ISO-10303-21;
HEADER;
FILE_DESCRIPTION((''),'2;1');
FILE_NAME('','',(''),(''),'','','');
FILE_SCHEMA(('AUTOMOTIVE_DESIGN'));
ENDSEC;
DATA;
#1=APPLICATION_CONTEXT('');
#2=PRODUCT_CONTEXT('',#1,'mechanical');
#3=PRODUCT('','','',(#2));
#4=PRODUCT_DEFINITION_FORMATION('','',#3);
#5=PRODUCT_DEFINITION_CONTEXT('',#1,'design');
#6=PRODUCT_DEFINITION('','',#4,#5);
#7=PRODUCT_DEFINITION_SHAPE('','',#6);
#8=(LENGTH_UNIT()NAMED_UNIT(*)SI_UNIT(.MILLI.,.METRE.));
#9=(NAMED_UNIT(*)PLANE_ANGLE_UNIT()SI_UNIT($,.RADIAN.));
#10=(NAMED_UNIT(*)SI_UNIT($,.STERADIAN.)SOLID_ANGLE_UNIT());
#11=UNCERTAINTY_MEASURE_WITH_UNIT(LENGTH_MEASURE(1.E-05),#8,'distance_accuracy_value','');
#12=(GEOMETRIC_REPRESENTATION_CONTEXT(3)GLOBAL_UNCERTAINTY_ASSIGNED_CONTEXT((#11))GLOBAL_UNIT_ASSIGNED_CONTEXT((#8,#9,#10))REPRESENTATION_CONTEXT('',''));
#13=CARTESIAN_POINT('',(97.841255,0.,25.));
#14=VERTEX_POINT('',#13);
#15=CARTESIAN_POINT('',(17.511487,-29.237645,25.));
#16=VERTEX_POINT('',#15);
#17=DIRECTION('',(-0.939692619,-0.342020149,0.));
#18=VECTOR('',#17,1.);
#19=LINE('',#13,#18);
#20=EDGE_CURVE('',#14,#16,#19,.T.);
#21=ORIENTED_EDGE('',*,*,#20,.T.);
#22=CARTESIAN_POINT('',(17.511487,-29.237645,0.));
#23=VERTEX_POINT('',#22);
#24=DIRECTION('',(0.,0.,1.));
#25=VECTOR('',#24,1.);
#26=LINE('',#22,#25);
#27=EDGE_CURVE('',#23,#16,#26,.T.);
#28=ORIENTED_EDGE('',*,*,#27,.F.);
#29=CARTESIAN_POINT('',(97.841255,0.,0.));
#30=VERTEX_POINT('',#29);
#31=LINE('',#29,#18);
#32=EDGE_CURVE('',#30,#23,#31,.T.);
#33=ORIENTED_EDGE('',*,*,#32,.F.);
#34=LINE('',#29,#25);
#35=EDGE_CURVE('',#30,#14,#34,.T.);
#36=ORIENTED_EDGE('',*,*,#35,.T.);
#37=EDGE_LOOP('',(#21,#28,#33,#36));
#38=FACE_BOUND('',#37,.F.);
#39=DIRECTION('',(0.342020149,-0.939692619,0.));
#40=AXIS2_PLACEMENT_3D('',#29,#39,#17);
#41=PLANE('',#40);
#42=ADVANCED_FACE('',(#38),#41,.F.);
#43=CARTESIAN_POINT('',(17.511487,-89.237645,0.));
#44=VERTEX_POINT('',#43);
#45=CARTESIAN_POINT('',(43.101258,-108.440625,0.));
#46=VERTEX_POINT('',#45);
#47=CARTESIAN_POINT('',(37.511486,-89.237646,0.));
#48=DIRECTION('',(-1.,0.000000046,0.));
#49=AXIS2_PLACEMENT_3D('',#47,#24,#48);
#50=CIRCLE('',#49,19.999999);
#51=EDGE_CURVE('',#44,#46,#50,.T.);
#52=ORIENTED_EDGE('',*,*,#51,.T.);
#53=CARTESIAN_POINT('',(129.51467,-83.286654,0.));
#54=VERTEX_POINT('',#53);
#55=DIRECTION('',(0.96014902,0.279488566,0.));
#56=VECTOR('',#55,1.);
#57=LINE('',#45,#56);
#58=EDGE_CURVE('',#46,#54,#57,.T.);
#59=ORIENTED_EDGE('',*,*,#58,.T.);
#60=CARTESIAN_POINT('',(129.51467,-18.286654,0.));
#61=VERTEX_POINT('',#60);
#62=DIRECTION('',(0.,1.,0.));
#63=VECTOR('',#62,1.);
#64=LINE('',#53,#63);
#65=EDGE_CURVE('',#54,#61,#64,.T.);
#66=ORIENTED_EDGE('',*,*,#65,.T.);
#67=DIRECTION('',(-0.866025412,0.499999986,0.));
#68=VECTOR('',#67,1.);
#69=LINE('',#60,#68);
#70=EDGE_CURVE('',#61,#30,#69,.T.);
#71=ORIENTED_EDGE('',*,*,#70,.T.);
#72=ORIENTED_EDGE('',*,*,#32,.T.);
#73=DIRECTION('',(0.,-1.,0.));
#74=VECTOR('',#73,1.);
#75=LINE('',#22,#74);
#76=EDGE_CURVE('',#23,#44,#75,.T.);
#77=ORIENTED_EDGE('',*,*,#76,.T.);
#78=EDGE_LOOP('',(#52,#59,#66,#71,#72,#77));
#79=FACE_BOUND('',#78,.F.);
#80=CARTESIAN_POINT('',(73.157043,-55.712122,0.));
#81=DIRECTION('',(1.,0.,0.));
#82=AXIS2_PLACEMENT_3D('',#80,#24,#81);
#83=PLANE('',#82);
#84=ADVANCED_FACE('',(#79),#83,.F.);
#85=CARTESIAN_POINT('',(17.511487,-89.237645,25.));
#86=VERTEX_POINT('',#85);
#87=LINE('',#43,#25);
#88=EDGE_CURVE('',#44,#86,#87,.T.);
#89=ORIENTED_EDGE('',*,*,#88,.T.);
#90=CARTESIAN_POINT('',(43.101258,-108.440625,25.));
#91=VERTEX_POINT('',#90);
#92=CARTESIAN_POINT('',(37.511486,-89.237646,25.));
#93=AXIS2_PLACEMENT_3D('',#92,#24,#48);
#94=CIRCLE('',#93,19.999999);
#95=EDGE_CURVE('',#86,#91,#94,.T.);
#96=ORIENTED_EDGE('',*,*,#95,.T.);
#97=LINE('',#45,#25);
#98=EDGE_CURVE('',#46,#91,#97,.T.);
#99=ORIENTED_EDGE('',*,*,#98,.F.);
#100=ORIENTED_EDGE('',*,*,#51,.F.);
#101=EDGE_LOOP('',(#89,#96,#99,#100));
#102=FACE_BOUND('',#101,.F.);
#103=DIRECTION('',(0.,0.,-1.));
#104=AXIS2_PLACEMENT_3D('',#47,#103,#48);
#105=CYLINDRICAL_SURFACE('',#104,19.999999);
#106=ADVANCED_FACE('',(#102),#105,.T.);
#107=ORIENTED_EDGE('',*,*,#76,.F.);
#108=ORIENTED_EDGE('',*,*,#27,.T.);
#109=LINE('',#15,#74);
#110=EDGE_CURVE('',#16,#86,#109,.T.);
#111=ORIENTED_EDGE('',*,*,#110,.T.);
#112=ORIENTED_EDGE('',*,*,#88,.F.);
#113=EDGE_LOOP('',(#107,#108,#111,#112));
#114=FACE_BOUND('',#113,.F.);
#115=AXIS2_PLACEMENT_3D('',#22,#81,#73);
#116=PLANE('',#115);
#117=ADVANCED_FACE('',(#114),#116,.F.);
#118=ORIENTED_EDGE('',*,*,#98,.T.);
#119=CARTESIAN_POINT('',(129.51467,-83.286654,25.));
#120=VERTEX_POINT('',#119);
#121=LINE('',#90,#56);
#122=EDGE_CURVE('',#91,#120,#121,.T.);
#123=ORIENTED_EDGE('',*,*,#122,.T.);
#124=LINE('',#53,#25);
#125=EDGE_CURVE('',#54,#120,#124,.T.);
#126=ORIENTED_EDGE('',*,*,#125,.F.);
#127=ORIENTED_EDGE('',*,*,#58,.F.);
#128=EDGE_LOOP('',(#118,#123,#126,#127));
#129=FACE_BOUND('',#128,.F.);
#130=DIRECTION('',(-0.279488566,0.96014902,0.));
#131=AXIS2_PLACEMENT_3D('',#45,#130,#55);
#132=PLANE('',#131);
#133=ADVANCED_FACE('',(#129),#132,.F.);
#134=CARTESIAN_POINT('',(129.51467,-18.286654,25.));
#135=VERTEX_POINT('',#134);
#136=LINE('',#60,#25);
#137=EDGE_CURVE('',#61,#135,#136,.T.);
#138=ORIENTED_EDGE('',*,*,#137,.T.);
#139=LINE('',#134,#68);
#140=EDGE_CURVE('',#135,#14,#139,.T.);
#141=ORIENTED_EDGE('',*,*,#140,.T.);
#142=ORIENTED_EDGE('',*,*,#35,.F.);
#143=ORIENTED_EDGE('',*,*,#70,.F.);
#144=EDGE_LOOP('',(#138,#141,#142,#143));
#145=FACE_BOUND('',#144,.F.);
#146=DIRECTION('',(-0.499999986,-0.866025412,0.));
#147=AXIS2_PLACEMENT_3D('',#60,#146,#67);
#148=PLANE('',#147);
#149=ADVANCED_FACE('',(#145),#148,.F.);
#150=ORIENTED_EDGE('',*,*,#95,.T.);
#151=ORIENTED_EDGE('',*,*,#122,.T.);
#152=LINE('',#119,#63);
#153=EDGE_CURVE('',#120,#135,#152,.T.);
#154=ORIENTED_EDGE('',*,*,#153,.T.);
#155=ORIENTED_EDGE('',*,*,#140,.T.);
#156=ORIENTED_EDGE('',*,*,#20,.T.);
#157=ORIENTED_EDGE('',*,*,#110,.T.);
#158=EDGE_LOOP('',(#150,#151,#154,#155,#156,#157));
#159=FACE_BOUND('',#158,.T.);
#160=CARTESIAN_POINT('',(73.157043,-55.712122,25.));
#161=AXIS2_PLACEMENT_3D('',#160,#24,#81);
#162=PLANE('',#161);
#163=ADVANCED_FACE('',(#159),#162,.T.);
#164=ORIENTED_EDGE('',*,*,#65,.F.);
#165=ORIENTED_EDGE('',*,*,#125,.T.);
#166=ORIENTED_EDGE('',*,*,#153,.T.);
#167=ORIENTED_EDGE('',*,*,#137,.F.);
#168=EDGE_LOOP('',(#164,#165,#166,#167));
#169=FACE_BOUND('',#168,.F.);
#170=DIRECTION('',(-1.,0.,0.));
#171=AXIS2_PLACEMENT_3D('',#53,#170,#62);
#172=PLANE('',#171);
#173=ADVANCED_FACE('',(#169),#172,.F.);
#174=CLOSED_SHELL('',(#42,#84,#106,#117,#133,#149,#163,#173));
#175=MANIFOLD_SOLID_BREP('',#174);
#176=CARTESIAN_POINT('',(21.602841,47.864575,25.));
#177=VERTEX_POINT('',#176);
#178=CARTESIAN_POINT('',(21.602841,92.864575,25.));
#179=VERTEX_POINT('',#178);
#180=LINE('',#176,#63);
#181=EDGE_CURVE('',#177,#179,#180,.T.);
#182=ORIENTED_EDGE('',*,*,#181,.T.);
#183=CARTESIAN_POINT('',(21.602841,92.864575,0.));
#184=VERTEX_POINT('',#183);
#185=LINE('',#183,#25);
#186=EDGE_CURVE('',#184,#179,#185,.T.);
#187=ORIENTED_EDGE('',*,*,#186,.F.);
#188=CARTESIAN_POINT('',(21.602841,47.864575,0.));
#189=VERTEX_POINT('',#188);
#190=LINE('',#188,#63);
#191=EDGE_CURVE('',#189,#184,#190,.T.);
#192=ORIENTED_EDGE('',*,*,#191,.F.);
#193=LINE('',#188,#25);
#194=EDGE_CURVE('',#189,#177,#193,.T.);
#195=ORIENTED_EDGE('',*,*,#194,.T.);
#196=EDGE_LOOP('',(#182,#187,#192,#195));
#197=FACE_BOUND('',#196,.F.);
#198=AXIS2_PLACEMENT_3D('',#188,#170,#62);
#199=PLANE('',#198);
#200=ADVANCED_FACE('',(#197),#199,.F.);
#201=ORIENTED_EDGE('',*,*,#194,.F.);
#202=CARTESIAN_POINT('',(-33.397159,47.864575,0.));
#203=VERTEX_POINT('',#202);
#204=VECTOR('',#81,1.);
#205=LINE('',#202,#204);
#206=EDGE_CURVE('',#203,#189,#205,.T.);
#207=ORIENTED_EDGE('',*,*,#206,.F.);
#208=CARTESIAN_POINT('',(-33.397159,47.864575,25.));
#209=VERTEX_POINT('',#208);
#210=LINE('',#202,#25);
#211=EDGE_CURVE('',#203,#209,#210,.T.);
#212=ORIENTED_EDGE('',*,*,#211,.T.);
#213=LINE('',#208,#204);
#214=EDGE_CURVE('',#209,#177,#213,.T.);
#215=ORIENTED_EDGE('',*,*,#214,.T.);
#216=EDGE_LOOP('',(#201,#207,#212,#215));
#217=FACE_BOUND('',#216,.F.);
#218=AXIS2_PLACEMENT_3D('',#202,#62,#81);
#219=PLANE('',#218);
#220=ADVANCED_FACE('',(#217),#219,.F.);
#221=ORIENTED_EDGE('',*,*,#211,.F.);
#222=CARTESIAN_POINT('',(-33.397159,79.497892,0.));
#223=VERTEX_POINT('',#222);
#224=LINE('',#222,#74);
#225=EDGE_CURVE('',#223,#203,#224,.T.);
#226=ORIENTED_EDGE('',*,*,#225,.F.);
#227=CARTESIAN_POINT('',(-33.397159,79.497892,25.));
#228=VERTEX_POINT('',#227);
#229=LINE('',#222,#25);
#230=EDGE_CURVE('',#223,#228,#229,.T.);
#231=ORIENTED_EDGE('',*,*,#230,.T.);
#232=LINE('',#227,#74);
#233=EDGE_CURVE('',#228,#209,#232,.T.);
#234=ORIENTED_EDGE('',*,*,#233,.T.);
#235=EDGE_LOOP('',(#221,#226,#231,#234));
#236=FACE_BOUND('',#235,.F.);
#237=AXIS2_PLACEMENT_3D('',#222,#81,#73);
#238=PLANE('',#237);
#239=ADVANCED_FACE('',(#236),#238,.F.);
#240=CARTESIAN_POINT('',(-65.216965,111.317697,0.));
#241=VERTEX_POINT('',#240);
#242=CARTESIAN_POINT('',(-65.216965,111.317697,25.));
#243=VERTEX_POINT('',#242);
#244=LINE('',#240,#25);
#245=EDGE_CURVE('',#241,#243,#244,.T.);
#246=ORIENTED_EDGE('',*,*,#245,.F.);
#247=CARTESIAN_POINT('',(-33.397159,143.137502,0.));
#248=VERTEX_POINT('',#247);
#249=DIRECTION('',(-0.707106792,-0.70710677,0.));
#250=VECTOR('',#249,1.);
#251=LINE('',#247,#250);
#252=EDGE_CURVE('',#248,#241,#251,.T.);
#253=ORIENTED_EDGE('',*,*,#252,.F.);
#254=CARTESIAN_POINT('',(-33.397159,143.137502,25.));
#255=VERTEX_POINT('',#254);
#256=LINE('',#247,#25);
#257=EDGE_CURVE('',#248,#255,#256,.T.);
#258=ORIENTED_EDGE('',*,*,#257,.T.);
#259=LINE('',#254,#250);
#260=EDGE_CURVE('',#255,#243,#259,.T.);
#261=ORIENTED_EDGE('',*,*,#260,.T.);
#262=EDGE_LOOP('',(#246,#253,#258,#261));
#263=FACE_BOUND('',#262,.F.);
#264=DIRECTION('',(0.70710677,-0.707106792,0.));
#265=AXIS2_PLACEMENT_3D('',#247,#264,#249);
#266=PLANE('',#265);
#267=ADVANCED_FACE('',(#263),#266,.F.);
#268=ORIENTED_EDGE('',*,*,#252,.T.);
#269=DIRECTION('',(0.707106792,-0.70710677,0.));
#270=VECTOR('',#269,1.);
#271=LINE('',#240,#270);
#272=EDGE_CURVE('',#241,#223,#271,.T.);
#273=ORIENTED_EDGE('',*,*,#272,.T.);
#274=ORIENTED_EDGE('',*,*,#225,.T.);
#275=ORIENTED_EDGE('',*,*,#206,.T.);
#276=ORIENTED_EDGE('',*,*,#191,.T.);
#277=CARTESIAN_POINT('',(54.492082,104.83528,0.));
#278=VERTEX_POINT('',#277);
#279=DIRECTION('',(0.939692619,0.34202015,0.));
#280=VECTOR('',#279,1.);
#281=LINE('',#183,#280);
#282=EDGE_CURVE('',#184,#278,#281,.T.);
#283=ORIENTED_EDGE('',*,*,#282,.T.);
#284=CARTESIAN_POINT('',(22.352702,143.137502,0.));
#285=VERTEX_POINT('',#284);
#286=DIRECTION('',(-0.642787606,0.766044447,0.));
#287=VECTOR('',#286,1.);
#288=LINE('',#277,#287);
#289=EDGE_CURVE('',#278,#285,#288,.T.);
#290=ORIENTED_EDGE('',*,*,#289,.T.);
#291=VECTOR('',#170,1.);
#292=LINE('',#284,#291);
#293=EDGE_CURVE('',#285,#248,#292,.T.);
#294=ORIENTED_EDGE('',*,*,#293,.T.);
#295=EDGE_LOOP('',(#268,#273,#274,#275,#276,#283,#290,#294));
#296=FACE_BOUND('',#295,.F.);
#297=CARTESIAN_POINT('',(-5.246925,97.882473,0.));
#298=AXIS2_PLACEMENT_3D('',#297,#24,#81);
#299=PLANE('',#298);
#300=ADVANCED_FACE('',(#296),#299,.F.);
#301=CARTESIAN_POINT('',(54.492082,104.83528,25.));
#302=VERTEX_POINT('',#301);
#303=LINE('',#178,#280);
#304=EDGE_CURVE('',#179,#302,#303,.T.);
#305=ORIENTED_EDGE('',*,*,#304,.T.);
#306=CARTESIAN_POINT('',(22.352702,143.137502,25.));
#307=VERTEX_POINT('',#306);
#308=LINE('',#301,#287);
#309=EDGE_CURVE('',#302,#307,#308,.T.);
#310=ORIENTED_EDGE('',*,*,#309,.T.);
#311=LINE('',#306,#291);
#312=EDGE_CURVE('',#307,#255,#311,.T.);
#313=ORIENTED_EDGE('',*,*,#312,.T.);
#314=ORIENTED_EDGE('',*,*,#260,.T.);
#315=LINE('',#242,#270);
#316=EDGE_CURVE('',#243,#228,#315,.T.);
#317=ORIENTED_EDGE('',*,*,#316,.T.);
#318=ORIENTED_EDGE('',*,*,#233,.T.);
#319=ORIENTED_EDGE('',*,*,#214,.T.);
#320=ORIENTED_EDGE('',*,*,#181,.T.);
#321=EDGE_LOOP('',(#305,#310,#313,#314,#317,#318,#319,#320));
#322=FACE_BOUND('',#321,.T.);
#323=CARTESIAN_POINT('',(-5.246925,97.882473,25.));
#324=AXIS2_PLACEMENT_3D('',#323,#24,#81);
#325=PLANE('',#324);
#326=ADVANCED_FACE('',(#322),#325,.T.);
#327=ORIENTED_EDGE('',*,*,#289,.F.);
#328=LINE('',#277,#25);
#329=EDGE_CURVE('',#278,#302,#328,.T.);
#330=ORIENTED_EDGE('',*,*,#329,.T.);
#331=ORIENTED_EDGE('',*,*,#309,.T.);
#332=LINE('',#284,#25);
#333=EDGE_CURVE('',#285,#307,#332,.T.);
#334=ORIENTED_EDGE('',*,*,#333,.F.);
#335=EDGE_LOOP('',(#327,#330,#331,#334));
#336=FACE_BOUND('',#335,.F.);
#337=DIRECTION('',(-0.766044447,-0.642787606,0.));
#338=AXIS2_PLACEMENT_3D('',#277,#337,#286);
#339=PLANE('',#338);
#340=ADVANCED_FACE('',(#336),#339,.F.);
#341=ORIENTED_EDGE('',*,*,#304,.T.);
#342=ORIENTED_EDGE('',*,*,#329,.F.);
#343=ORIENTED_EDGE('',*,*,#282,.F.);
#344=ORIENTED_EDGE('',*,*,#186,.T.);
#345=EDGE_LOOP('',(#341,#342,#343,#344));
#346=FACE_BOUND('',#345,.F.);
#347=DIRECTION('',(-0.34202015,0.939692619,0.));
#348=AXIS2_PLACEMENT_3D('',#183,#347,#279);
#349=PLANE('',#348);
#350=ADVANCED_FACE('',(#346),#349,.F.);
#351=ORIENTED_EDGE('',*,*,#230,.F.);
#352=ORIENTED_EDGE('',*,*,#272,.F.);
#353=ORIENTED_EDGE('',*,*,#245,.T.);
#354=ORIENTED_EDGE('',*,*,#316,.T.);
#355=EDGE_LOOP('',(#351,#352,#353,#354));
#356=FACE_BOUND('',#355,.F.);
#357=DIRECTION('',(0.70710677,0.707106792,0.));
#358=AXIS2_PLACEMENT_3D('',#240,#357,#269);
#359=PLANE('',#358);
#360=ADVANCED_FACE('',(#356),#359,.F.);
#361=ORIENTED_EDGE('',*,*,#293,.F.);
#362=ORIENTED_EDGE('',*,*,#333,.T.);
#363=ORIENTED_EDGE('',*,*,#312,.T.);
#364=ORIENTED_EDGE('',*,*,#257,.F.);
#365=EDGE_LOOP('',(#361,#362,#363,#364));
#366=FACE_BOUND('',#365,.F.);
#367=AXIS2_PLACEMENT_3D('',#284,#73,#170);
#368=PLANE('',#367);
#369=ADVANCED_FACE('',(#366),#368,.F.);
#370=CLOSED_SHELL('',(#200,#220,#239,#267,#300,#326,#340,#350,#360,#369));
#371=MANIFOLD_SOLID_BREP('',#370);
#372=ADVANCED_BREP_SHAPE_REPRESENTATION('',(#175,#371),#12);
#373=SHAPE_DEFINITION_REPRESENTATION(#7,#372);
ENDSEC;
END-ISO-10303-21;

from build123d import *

# Parameters (mm, degrees)
F1_DEPTH = 25


with BuildPart() as f1:
    # F0 (on Top) → F1 (new body)
    with BuildSketch(Plane.XY):
        Polygon((-33.397159, 79.497892), (-33.397159, 47.864575), (21.602841, 47.864575), (21.602841, 92.864575), (54.492082, 104.83528), (22.352702, 143.137502), (-33.397159, 143.137502), (-65.216965, 111.317697), align=None)
        with BuildLine():
            Line((129.51467, -83.286654), (129.51467, -18.286654))
            Line((129.51467, -18.286654), (97.841255, 0))
            Line((97.841255, 0), (17.511487, -29.237645))
            Line((17.511487, -29.237645), (17.511487, -89.237645))
            ThreePointArc((17.511487, -89.237645), (25.507225, -105.234448), (43.101258, -108.440625))
            Line((43.101258, -108.440625), (129.51467, -83.286654))
        make_face()
    extrude(amount=F1_DEPTH)


solid = f1.part
